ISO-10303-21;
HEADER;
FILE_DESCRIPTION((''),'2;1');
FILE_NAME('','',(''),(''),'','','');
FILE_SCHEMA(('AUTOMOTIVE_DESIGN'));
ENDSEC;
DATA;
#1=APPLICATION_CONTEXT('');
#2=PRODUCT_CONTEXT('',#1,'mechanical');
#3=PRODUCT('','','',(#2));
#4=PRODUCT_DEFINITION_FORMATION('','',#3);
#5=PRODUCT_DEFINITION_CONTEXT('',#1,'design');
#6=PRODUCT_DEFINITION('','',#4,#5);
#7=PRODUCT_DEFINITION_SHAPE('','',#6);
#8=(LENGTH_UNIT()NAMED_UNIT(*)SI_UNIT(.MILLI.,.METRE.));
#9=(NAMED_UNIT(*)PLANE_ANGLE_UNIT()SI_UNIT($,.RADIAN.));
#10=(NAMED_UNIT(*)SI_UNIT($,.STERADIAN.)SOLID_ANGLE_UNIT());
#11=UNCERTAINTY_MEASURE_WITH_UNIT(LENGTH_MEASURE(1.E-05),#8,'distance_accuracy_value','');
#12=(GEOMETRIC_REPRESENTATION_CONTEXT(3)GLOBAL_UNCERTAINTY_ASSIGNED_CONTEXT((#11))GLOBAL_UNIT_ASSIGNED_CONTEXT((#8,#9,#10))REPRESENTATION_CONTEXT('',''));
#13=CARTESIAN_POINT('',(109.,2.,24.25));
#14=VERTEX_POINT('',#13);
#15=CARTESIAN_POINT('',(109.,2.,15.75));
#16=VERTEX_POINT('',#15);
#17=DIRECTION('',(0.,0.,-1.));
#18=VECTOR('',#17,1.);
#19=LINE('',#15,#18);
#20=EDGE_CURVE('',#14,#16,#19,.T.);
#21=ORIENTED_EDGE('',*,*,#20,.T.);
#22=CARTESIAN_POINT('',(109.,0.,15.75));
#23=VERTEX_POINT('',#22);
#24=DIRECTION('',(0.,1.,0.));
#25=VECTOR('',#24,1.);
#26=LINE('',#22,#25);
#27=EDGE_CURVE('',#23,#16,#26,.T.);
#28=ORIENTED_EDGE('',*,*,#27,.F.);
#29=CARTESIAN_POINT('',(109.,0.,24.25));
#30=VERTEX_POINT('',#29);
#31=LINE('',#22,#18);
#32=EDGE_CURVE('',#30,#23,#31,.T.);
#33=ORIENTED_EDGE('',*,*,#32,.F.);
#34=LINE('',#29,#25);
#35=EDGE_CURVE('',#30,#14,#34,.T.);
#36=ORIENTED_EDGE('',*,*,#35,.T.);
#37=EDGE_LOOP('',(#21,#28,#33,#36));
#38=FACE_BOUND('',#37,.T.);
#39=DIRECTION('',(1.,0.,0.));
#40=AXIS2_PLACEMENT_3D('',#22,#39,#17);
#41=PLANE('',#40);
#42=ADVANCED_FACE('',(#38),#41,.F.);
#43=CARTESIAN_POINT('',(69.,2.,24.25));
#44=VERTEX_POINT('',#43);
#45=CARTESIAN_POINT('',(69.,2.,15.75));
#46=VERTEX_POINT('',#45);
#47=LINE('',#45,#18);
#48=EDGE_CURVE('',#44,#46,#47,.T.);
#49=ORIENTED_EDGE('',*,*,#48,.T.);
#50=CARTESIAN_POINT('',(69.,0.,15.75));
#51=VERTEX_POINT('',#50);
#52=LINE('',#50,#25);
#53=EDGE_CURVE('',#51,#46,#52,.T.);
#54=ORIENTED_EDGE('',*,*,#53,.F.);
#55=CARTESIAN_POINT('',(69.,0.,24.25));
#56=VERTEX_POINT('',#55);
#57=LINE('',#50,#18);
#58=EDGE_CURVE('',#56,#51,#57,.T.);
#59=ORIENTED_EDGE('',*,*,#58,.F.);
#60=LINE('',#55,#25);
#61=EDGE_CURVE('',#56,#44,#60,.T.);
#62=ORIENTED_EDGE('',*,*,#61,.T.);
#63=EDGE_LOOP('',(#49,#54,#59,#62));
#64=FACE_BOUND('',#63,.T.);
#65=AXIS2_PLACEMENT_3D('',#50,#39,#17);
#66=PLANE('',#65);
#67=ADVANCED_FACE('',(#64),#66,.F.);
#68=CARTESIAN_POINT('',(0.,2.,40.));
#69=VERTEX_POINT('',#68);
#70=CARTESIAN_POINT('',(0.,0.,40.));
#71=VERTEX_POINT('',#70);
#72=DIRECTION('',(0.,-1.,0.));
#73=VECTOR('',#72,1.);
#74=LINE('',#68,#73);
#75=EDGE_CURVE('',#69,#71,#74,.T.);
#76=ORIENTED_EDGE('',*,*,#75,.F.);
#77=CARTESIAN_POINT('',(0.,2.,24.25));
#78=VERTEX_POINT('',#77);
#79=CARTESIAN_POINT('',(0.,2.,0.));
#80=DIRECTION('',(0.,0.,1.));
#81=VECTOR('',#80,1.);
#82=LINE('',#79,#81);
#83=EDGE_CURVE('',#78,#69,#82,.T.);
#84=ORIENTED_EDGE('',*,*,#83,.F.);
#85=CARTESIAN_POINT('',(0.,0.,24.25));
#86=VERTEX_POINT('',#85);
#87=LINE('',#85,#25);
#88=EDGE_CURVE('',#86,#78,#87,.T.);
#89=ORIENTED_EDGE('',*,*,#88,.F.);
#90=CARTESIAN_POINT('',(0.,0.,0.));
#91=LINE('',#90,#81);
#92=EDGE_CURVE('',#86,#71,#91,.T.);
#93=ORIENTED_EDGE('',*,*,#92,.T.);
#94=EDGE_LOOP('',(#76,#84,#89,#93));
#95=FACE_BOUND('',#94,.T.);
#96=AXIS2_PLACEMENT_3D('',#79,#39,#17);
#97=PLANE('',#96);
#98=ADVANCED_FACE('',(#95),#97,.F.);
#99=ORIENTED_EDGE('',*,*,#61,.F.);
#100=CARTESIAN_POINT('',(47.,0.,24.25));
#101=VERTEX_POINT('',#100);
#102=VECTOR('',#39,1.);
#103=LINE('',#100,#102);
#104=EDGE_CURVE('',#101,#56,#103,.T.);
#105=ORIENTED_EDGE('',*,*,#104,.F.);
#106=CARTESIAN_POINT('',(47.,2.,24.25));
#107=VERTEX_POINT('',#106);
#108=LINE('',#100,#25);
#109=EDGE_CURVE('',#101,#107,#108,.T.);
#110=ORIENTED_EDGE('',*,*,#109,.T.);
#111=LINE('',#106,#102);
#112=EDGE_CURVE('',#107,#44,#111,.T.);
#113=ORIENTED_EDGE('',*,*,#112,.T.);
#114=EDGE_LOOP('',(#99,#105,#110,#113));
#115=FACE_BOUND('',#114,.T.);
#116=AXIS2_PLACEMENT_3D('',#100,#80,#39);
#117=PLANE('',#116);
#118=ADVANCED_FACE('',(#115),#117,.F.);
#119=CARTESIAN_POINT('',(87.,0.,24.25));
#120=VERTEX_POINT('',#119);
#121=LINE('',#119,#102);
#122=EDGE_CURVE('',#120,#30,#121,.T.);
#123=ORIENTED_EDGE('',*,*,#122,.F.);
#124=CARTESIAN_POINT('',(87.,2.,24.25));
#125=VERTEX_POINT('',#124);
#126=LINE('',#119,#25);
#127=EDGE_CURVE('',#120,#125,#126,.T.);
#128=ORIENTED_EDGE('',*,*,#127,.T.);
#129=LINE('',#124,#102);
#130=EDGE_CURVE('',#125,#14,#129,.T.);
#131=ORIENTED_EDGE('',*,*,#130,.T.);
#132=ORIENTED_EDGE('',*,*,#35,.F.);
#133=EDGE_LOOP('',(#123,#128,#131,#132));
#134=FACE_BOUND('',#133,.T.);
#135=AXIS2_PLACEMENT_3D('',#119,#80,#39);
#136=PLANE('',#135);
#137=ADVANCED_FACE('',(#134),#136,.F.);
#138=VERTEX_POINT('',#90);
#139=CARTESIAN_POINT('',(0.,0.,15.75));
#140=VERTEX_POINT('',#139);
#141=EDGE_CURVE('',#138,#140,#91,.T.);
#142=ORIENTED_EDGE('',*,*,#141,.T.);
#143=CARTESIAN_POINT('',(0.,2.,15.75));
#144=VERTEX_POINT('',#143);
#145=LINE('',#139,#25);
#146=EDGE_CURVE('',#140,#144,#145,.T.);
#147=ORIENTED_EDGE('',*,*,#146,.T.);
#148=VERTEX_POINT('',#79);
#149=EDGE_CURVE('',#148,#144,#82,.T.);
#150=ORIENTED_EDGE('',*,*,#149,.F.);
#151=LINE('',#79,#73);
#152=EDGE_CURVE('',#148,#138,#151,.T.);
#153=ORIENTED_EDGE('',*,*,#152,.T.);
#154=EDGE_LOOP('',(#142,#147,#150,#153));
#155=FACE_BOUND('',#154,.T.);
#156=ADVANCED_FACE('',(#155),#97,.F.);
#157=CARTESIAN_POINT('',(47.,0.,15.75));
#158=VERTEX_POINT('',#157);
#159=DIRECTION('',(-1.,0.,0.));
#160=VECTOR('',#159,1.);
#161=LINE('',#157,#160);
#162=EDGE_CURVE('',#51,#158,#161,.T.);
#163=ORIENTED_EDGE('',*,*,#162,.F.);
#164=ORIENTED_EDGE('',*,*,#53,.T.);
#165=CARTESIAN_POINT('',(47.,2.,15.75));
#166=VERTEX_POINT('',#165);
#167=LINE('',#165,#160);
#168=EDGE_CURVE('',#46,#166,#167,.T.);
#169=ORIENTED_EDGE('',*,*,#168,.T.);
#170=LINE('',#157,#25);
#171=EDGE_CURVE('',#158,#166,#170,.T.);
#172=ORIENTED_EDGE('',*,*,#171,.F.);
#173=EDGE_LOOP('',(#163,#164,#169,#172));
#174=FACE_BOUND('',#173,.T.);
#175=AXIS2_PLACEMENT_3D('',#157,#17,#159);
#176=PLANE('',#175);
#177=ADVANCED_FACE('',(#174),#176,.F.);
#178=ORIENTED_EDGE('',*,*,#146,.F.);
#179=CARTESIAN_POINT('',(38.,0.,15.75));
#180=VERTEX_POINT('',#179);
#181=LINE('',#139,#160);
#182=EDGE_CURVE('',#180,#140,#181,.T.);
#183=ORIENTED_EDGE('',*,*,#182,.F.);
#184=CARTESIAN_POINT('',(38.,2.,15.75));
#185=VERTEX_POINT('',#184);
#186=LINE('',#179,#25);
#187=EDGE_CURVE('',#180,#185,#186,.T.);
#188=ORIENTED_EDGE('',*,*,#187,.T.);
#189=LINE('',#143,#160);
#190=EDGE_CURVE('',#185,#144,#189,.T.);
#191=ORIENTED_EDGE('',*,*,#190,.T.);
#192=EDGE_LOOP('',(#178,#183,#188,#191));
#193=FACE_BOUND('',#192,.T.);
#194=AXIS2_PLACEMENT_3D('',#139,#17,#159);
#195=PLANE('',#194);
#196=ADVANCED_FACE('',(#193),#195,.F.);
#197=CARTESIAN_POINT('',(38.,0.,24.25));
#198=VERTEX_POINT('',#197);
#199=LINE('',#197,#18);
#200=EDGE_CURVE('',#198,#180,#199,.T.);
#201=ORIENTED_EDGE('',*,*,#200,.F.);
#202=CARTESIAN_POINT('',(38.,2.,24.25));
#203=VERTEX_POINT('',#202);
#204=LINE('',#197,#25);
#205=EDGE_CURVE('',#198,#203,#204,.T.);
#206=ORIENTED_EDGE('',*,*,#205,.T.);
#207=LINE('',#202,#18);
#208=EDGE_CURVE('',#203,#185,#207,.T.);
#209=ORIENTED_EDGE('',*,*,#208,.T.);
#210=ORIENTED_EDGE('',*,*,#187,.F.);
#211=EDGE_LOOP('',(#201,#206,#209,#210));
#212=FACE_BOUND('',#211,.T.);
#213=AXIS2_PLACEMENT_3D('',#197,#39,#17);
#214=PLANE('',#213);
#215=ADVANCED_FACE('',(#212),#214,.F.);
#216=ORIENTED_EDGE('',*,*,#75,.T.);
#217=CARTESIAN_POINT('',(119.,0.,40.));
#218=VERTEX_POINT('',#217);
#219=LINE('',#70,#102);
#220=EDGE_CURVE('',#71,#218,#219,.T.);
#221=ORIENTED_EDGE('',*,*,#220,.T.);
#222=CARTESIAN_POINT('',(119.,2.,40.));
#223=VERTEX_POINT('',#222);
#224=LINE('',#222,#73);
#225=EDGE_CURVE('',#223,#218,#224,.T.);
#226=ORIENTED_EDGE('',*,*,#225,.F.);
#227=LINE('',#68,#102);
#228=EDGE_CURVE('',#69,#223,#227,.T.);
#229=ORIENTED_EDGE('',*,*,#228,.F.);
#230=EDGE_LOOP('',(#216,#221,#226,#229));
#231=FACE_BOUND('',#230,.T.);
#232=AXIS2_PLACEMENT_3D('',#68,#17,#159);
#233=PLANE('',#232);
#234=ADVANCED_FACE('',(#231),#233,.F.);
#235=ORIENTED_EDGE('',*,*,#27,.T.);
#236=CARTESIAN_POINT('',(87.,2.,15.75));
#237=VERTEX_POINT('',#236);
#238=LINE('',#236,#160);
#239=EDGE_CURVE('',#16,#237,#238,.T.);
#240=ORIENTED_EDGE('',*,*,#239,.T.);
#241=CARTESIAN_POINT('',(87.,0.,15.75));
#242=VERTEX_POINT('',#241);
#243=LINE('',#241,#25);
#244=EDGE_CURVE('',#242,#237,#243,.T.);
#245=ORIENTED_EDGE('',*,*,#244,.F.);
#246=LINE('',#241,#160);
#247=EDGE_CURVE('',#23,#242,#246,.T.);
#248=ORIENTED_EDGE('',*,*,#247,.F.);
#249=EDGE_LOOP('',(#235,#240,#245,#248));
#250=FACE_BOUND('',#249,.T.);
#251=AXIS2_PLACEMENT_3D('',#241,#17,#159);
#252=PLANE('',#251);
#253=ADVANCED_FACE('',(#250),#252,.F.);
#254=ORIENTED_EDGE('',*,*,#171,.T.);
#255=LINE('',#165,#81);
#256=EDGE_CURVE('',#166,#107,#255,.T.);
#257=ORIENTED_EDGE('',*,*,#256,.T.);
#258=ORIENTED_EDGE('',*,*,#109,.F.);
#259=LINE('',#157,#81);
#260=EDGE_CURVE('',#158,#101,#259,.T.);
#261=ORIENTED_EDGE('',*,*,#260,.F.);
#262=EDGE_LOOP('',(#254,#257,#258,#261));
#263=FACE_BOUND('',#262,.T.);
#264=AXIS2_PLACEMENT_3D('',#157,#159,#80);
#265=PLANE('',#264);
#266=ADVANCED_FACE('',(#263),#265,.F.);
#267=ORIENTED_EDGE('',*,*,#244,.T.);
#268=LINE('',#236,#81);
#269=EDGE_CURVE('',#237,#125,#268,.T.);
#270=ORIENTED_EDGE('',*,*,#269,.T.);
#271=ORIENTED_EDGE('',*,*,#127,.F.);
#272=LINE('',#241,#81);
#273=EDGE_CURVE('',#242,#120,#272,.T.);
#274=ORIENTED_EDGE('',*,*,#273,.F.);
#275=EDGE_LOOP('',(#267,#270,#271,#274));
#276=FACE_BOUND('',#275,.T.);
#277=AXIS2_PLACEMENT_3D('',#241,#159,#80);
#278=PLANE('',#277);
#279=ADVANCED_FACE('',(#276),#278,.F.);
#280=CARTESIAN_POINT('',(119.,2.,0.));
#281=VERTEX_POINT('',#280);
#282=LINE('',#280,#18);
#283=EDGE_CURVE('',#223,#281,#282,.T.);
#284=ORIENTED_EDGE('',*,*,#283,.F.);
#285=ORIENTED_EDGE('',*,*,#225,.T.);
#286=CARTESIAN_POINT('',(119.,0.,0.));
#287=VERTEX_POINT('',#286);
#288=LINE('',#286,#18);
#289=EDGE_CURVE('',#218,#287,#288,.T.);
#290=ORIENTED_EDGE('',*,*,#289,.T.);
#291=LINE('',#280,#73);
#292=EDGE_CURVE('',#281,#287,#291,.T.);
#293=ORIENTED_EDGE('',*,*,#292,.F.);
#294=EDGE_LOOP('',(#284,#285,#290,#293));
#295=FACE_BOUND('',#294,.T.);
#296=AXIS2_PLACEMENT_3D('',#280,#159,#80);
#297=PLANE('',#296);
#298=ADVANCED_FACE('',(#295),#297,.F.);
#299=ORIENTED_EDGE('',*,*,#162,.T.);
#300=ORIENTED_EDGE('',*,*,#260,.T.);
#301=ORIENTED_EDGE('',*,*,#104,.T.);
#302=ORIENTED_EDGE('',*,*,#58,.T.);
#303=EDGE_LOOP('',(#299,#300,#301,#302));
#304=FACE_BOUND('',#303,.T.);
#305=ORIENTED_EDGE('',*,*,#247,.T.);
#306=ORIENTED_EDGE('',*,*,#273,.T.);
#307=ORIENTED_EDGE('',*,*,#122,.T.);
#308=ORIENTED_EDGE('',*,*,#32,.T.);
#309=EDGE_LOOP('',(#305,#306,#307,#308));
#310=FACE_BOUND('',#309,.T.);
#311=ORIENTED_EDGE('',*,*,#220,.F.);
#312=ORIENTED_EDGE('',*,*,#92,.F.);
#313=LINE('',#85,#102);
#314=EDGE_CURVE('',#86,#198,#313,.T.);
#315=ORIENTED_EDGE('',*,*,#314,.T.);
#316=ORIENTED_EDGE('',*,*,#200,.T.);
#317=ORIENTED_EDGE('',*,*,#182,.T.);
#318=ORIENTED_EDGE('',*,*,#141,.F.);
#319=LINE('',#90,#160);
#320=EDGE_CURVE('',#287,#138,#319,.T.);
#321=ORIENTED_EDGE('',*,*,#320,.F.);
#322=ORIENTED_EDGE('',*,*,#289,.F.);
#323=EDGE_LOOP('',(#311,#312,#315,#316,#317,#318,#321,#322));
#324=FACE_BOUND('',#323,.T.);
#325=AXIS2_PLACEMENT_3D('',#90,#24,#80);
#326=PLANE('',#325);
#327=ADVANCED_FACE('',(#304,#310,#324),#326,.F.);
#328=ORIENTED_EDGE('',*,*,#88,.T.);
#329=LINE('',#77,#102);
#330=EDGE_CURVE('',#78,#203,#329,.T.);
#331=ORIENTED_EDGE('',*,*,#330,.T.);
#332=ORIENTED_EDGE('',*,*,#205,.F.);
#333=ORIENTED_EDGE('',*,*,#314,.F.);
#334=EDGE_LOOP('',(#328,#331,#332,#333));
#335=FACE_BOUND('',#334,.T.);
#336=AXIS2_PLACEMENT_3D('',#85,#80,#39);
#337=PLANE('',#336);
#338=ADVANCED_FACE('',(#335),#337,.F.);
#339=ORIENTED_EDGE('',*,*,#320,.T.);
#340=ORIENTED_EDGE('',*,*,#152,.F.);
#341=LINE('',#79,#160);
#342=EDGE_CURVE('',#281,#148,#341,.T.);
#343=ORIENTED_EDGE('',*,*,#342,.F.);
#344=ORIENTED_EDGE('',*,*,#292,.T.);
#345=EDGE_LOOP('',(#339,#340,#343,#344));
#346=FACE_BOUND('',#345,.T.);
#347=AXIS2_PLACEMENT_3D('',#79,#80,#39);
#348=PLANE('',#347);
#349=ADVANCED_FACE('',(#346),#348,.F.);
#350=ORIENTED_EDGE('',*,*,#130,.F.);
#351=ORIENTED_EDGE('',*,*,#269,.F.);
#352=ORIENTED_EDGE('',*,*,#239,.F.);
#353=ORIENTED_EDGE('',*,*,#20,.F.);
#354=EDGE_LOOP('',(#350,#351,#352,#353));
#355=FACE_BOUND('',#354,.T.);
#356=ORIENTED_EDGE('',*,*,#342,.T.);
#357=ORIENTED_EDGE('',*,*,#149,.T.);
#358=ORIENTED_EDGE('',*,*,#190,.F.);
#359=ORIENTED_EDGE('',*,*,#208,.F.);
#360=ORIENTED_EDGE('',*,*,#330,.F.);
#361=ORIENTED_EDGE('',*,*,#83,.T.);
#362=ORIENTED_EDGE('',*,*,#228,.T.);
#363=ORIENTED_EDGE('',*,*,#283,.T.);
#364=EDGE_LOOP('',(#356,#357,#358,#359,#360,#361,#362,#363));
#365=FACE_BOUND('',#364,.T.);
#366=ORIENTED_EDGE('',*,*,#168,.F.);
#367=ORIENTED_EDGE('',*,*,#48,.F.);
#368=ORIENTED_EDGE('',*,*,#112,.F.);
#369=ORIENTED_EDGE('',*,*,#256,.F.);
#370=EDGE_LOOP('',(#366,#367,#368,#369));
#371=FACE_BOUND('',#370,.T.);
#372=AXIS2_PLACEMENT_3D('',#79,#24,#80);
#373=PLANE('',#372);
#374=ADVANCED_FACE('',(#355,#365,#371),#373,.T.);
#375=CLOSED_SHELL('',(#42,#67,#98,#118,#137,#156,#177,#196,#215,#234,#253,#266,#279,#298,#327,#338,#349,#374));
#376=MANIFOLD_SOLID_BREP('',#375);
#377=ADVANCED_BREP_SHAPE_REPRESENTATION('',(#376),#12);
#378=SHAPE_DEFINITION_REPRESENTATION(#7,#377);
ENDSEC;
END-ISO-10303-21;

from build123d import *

# Parameters (mm, degrees)
SKETCH1_W           = 119
SKETCH1_H           = 40
BOSS_EXTRUDE1_DEPTH = 2
SKETCH2_W           = 38
SKETCH2_H           = 8.5
CUT_EXTRUDE1_DEPTH  = 3
SKETCH3_W           = 22
SKETCH3_H           = 8.5
CUT_EXTRUDE2_DEPTH  = 3


with BuildPart() as part:
    # Sketch1 → Boss-Extrude1 (new body)
    with BuildSketch(Plane(origin=(0, 0, 0), x_dir=(1, 0, 0), z_dir=(0, 1, 0))):
        with Locations((59.5, -20)):
            Rectangle(SKETCH1_W, SKETCH1_H)
    extrude(amount=BOSS_EXTRUDE1_DEPTH)

    # Sketch2 → Cut-Extrude1 (cut, through all)
    with BuildSketch(Plane(origin=(0, 2, 0), x_dir=(1, 0, 0), z_dir=(0, 1, 0))):
        with Locations((19, -20)):
            Rectangle(SKETCH2_W, SKETCH2_H)
    extrude(amount=-CUT_EXTRUDE1_DEPTH, mode=Mode.SUBTRACT)

    # Sketch3 → Cut-Extrude2 (cut, through all)
    with BuildSketch(Plane(origin=(0, 2, 0), x_dir=(1, 0, 0), z_dir=(0, 1, 0))):
        with Locations((58, -20)):
            Rectangle(SKETCH3_W, SKETCH3_H)
        with Locations((98, -20)):
            Rectangle(SKETCH3_W, SKETCH3_H)
    extrude(amount=-CUT_EXTRUDE2_DEPTH, mode=Mode.SUBTRACT)


solid = part.part
